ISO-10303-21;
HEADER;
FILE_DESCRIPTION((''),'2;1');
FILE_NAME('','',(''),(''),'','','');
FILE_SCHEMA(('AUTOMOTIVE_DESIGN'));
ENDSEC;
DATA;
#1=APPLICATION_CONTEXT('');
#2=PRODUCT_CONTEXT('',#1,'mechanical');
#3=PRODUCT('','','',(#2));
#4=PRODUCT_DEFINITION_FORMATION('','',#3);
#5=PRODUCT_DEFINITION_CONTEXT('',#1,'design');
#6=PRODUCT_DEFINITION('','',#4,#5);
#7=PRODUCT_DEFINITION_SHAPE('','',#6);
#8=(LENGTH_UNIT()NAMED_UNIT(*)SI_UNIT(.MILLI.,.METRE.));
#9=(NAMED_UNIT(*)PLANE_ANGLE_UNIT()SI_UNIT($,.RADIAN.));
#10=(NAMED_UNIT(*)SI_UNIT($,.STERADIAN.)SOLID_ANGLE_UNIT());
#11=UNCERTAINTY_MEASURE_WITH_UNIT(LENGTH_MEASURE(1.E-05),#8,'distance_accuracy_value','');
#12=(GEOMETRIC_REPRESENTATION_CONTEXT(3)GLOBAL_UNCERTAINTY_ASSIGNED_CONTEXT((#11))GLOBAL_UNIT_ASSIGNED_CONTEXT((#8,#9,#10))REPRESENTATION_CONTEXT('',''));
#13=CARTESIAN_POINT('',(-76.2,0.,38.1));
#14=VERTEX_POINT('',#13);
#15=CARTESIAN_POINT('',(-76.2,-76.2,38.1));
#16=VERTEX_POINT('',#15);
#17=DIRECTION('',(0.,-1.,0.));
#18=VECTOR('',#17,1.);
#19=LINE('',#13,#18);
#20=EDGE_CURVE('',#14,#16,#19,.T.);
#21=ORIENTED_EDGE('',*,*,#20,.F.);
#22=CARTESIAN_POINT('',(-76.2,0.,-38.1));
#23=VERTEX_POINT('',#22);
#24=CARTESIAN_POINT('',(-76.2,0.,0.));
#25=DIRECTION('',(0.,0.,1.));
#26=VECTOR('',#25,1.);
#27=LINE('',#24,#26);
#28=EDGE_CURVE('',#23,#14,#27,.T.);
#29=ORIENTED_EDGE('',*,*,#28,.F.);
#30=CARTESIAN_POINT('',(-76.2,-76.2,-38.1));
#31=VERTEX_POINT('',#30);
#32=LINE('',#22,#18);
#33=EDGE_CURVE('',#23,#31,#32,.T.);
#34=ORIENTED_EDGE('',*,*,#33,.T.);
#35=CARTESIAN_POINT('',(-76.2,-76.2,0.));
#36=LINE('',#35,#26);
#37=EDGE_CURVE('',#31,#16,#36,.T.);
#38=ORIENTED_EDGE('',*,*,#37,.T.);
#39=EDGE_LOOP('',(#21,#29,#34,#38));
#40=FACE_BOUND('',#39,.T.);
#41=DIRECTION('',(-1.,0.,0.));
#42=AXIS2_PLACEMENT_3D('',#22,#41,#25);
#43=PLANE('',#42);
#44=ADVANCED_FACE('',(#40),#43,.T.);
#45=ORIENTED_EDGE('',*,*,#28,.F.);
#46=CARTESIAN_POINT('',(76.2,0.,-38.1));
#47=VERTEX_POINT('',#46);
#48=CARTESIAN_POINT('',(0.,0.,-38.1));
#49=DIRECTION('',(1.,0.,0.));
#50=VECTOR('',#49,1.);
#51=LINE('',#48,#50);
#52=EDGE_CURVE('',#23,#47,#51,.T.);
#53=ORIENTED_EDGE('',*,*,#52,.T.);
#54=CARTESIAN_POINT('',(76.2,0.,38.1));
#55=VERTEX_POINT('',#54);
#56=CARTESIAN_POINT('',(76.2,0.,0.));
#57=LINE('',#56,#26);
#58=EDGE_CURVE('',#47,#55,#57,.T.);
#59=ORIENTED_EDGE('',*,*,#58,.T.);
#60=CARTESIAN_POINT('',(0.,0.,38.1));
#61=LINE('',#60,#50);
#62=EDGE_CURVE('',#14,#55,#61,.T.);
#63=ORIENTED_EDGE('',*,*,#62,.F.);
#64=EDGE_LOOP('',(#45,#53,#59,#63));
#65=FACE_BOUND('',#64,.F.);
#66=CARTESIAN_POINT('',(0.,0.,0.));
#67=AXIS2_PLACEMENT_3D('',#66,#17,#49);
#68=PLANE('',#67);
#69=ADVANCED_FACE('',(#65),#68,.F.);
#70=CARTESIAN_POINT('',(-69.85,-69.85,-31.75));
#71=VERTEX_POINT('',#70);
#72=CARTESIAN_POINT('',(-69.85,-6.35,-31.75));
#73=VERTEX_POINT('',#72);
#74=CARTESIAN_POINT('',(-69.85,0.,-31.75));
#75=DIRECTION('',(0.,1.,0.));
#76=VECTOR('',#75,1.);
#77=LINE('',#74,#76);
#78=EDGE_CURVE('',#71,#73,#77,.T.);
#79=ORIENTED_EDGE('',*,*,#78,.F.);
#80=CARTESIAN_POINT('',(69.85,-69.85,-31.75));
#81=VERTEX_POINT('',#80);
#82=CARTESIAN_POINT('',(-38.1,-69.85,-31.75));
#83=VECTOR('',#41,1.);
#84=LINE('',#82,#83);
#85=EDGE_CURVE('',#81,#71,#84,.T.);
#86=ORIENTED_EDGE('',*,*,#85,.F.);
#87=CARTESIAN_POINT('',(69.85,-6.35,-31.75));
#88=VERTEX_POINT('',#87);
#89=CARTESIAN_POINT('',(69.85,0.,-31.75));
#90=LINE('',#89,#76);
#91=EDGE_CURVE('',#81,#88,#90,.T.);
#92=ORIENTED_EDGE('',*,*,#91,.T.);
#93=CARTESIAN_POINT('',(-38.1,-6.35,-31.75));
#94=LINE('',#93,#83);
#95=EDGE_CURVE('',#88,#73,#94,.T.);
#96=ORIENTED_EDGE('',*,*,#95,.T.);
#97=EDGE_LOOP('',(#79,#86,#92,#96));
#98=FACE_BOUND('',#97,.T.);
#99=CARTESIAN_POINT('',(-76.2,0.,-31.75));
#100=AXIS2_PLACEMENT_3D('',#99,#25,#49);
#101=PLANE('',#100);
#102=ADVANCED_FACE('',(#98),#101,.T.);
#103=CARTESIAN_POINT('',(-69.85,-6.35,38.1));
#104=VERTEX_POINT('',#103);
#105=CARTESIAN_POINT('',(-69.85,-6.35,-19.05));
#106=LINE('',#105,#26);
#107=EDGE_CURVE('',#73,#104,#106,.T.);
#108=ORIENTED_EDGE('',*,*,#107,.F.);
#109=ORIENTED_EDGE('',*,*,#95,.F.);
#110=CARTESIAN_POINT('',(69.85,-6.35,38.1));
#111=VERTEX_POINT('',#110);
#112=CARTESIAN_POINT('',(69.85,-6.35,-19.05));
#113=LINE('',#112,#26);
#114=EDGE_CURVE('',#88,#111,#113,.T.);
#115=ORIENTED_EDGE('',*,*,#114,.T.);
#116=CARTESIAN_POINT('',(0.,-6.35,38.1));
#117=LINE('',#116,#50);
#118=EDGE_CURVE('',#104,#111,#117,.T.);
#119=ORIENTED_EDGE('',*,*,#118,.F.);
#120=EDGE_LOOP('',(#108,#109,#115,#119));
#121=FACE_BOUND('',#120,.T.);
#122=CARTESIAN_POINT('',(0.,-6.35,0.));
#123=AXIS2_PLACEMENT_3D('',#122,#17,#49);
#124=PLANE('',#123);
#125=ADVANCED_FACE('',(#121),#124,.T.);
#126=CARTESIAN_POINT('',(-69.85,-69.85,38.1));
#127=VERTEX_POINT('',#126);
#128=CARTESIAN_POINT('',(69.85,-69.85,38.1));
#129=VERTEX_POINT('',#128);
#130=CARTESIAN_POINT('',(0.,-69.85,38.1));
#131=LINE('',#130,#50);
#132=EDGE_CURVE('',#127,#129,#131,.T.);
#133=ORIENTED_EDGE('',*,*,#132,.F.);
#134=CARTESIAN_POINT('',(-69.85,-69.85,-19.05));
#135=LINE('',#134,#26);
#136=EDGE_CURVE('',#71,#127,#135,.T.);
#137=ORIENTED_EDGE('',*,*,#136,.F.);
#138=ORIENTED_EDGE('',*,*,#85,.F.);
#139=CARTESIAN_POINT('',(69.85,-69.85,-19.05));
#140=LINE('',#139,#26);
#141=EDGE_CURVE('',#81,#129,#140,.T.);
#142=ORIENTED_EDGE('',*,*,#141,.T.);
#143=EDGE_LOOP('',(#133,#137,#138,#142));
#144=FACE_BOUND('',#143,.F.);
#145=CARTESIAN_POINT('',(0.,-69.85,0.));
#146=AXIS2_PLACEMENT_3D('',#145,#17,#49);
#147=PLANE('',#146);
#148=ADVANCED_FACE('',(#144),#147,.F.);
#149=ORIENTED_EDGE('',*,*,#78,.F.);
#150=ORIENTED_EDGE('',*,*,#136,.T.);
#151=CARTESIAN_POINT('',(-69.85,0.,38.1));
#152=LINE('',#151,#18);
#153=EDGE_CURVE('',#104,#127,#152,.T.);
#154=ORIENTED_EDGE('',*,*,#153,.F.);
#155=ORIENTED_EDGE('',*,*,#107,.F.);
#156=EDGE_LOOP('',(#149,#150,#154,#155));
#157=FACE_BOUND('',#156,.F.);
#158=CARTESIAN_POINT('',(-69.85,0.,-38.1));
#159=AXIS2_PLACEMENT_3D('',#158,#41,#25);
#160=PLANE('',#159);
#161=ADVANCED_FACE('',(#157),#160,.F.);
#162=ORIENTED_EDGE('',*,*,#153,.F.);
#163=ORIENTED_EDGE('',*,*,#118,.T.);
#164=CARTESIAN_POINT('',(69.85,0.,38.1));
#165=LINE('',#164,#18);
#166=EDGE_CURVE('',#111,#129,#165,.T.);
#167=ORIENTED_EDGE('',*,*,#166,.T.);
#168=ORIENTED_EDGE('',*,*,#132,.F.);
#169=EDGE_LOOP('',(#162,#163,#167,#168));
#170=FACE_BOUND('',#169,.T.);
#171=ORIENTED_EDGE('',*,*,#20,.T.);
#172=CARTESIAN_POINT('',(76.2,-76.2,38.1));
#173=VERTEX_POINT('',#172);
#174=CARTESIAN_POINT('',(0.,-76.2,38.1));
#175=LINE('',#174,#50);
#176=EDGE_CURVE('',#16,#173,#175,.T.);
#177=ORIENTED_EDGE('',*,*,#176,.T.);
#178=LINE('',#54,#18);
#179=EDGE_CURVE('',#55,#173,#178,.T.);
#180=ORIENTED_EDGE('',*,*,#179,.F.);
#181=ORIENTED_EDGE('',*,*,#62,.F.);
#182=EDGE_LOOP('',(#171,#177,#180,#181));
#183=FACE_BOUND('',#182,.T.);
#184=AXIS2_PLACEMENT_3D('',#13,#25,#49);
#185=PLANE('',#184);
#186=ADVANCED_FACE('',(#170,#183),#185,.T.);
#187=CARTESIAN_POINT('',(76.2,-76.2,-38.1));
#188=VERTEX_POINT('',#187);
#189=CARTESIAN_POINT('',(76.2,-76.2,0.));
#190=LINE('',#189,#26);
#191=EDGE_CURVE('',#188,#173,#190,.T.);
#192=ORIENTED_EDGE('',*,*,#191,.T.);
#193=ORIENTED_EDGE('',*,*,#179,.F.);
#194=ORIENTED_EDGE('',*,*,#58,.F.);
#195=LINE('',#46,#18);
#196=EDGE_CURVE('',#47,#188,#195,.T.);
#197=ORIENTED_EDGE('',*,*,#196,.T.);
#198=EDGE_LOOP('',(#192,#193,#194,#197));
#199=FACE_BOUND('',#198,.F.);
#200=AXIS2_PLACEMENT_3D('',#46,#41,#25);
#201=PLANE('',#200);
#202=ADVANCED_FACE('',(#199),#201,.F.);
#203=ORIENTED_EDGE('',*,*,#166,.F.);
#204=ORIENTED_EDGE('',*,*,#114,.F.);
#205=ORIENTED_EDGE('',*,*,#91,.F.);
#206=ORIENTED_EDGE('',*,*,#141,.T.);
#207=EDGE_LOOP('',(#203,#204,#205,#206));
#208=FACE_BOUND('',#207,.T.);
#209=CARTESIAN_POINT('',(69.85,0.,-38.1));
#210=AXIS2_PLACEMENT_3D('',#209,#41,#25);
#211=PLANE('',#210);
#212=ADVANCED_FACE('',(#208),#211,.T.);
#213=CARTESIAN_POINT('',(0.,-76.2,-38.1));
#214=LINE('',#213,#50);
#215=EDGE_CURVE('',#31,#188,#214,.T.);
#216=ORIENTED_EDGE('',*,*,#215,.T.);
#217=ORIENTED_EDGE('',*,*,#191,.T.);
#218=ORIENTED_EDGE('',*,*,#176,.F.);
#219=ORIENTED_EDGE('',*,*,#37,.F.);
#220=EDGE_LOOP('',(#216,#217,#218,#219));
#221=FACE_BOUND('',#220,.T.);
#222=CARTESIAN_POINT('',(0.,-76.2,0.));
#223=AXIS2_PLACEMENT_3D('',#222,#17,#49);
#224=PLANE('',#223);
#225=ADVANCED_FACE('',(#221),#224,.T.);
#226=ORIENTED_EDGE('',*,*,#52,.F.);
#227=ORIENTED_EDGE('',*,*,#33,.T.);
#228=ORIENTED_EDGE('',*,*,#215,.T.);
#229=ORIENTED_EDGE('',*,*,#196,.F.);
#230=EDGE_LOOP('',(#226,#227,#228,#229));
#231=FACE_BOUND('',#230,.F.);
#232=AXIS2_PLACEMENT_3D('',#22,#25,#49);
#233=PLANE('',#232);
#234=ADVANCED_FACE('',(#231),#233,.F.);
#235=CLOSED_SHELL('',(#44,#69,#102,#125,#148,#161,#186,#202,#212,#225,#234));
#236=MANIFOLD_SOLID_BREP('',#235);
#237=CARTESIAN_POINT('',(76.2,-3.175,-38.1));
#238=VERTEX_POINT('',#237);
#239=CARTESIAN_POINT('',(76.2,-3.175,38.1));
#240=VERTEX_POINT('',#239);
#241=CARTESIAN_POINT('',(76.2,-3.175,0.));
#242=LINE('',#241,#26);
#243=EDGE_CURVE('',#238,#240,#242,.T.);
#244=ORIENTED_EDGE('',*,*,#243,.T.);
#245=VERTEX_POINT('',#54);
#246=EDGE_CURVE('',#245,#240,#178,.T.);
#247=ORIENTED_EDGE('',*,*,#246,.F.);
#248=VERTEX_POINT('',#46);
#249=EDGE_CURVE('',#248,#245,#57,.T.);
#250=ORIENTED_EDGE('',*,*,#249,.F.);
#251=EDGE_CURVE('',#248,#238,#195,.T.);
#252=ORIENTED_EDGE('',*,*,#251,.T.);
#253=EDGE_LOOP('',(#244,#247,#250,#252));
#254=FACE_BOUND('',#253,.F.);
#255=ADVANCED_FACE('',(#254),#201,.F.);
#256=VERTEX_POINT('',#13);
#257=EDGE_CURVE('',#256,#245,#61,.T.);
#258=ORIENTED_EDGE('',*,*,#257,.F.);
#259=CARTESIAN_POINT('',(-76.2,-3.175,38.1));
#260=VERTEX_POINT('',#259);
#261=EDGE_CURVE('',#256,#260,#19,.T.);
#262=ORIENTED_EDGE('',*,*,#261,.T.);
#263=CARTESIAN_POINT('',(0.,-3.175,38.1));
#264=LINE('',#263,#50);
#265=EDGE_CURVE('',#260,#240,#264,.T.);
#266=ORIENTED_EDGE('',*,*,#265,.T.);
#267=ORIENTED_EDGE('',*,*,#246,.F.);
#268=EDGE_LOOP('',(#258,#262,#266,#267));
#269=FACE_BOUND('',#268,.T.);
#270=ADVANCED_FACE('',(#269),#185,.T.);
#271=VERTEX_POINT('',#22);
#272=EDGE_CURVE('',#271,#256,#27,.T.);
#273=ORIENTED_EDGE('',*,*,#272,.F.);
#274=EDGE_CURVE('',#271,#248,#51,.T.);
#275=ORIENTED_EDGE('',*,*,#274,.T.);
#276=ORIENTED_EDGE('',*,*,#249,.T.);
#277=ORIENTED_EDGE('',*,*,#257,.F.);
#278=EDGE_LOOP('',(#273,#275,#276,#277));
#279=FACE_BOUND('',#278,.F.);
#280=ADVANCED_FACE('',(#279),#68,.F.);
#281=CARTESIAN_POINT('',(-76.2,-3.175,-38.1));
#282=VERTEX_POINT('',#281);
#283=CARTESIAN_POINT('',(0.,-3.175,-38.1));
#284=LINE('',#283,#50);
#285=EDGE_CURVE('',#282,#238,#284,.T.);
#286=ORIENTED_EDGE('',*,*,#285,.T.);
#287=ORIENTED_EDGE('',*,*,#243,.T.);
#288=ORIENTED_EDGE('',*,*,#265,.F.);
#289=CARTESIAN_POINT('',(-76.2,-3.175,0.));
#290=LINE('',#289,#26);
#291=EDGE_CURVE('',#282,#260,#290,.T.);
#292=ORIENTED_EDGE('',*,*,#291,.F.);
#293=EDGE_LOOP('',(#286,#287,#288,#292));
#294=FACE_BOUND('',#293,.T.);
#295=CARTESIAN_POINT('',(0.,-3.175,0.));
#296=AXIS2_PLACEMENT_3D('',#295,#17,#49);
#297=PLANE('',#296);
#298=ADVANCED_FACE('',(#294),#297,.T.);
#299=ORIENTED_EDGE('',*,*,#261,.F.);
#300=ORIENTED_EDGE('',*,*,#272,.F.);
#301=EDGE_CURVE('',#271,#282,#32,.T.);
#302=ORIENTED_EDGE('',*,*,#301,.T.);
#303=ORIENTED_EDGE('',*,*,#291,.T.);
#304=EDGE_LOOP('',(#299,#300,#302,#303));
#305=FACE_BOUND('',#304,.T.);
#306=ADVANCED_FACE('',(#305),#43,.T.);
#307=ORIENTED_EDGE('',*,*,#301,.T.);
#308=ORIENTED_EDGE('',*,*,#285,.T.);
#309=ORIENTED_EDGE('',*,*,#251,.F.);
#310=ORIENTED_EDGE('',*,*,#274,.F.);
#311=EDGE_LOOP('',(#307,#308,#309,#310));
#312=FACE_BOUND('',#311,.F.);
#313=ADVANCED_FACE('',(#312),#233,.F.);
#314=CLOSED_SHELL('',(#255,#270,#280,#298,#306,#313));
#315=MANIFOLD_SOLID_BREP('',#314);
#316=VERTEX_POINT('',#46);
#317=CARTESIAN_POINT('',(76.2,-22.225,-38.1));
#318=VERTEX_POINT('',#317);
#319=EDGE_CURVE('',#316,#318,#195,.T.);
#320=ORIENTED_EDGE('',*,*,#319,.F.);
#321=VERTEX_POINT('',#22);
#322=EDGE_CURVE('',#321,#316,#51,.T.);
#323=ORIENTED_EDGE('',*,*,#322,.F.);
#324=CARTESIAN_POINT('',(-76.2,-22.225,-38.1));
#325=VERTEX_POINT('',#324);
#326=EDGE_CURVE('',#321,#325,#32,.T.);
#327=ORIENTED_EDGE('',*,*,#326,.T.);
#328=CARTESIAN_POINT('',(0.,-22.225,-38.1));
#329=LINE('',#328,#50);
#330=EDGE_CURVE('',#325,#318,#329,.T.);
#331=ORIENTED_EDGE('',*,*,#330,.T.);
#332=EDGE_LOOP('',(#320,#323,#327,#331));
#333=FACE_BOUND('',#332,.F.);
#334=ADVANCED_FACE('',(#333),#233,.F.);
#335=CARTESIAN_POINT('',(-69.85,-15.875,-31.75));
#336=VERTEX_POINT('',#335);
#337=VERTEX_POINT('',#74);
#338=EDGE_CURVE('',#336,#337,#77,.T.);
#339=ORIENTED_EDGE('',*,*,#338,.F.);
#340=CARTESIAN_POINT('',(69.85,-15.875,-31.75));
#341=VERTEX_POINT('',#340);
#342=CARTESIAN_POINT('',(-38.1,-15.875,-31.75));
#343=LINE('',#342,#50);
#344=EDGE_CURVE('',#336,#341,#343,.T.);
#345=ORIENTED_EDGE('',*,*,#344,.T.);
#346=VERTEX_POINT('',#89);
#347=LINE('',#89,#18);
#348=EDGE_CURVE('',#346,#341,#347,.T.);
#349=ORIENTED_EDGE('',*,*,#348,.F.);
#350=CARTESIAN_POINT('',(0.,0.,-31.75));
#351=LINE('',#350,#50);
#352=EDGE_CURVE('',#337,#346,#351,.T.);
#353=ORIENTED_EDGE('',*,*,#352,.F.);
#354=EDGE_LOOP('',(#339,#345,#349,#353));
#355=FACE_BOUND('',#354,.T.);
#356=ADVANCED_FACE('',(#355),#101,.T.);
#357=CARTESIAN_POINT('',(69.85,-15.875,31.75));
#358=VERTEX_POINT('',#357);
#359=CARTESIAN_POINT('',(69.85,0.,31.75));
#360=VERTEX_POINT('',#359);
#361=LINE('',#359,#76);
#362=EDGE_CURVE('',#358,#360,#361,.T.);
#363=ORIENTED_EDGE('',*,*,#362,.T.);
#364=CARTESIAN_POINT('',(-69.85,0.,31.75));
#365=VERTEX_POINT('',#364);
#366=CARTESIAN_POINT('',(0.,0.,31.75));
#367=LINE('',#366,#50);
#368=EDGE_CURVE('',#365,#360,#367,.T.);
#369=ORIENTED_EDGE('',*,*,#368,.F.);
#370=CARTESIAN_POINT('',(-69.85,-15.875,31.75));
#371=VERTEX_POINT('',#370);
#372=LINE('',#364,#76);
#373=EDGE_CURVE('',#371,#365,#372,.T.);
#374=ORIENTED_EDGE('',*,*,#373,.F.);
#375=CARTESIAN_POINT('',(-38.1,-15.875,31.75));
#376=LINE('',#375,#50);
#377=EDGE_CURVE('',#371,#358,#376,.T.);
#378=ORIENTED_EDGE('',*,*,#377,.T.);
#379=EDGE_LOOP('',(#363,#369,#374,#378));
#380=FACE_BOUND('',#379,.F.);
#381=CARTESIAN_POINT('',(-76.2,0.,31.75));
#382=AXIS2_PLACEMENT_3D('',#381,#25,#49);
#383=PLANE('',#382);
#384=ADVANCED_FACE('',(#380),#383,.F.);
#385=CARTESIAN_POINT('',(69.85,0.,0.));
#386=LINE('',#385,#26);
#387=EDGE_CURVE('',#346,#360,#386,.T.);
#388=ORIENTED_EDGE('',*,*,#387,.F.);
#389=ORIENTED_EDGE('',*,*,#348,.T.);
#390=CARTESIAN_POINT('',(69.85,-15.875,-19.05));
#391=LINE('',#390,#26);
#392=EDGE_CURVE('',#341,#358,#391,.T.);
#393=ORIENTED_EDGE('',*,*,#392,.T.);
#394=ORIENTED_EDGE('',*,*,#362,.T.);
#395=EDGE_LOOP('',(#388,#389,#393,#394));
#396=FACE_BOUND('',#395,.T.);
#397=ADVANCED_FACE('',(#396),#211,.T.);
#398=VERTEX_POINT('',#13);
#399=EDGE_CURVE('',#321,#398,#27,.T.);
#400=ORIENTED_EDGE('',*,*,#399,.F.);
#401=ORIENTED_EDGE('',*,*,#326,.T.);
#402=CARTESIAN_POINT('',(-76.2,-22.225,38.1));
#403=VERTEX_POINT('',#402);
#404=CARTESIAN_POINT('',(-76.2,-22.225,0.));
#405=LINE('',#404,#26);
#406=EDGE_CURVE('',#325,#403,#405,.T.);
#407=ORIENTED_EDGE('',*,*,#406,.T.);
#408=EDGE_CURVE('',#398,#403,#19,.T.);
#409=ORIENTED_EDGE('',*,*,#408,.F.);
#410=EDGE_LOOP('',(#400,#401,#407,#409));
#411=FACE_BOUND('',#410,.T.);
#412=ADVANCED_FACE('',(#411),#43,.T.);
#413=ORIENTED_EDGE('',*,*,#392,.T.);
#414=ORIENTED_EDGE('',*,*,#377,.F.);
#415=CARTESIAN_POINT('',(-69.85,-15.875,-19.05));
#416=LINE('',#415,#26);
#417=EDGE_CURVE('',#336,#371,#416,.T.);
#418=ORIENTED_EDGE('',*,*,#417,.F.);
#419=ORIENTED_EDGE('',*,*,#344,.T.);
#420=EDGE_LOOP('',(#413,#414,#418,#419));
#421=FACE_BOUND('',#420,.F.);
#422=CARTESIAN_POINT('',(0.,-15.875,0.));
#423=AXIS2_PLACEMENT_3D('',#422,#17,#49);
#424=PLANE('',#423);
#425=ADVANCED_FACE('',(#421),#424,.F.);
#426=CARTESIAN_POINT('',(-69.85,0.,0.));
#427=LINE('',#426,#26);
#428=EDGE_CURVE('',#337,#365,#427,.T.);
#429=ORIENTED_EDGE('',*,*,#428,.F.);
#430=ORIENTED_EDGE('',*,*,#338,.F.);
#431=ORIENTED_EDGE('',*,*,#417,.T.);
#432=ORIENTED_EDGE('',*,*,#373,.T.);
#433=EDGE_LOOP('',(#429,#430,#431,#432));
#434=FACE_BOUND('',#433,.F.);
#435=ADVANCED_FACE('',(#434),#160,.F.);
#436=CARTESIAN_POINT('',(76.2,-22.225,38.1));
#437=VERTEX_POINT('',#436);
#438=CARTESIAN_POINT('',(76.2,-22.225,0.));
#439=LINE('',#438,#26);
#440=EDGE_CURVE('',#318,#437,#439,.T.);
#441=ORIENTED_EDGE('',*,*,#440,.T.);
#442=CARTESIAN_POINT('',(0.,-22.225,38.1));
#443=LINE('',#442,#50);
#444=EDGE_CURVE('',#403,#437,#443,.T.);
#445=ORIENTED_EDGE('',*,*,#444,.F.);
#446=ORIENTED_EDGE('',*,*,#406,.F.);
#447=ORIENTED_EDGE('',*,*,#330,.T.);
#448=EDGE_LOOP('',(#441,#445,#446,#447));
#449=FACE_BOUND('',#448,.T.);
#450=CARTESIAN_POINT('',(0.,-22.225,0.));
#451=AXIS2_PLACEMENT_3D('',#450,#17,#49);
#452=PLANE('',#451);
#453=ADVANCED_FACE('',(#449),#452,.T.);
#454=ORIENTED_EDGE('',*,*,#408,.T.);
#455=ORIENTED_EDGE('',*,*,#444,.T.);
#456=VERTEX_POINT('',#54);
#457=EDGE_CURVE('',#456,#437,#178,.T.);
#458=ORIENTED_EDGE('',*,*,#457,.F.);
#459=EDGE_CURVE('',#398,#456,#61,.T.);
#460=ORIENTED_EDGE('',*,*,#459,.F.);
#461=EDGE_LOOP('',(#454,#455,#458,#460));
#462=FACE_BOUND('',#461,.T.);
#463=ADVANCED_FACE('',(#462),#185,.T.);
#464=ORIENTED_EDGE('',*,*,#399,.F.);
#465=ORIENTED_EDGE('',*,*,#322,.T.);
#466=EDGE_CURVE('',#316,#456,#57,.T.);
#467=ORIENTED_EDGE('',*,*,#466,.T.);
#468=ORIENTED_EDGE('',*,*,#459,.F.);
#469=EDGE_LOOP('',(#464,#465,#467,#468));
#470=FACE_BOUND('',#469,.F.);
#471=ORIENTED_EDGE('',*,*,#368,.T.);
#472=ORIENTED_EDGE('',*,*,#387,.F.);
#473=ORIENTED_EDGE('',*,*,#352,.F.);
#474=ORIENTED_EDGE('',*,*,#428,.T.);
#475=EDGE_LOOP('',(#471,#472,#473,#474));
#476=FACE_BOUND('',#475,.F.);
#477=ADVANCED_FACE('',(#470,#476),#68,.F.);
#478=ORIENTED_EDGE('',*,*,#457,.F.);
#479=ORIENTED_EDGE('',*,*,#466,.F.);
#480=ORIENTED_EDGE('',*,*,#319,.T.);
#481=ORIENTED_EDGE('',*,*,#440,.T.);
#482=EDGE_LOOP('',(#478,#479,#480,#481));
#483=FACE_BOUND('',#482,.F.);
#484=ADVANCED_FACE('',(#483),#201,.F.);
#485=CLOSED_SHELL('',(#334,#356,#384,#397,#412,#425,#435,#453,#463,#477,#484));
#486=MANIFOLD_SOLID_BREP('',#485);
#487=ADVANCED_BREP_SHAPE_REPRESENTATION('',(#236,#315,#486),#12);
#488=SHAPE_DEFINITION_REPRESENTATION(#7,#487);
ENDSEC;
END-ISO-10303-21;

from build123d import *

# Parameters (mm, degrees)
F0_W     = 152.4
F0_H     = 76.2
F1_DEPTH = 76.2
F2_W     = 152.4
F2_H     = 76.2
F3_DEPTH = 22.225
F4_T     = -6.35
F5_T     = -6.35
F6_DEPTH = 3.175


with BuildPart() as f1:
    # F0 (on Front) → F1 (new body)
    with BuildSketch(Plane.XZ):
        Rectangle(F0_W, F0_H)
    extrude(amount=F1_DEPTH)

    # F4
    f4_openings = [f1.faces().sort_by_distance(p)[0] for p in [
        (0, -38.1, 38.1),
    ]]
    offset(amount=F4_T, openings=f4_openings)


with BuildPart() as f3:
    # F2 (on Front) → F3 (new body)
    with BuildSketch(Plane.XZ):
        Rectangle(F2_W, F2_H)
    extrude(amount=F3_DEPTH)

    # F5
    f5_openings = [f3.faces().sort_by_distance(p)[0] for p in [
        (0, 0, 0),
    ]]
    offset(amount=F5_T, openings=f5_openings)


with BuildPart() as f6:
    # F0 (on Front) → F6 (new body)
    with BuildSketch(Plane.XZ):
        Rectangle(F0_W, F0_H)
    extrude(amount=F6_DEPTH)


solid = Compound([f1.part, f3.part, f6.part])
